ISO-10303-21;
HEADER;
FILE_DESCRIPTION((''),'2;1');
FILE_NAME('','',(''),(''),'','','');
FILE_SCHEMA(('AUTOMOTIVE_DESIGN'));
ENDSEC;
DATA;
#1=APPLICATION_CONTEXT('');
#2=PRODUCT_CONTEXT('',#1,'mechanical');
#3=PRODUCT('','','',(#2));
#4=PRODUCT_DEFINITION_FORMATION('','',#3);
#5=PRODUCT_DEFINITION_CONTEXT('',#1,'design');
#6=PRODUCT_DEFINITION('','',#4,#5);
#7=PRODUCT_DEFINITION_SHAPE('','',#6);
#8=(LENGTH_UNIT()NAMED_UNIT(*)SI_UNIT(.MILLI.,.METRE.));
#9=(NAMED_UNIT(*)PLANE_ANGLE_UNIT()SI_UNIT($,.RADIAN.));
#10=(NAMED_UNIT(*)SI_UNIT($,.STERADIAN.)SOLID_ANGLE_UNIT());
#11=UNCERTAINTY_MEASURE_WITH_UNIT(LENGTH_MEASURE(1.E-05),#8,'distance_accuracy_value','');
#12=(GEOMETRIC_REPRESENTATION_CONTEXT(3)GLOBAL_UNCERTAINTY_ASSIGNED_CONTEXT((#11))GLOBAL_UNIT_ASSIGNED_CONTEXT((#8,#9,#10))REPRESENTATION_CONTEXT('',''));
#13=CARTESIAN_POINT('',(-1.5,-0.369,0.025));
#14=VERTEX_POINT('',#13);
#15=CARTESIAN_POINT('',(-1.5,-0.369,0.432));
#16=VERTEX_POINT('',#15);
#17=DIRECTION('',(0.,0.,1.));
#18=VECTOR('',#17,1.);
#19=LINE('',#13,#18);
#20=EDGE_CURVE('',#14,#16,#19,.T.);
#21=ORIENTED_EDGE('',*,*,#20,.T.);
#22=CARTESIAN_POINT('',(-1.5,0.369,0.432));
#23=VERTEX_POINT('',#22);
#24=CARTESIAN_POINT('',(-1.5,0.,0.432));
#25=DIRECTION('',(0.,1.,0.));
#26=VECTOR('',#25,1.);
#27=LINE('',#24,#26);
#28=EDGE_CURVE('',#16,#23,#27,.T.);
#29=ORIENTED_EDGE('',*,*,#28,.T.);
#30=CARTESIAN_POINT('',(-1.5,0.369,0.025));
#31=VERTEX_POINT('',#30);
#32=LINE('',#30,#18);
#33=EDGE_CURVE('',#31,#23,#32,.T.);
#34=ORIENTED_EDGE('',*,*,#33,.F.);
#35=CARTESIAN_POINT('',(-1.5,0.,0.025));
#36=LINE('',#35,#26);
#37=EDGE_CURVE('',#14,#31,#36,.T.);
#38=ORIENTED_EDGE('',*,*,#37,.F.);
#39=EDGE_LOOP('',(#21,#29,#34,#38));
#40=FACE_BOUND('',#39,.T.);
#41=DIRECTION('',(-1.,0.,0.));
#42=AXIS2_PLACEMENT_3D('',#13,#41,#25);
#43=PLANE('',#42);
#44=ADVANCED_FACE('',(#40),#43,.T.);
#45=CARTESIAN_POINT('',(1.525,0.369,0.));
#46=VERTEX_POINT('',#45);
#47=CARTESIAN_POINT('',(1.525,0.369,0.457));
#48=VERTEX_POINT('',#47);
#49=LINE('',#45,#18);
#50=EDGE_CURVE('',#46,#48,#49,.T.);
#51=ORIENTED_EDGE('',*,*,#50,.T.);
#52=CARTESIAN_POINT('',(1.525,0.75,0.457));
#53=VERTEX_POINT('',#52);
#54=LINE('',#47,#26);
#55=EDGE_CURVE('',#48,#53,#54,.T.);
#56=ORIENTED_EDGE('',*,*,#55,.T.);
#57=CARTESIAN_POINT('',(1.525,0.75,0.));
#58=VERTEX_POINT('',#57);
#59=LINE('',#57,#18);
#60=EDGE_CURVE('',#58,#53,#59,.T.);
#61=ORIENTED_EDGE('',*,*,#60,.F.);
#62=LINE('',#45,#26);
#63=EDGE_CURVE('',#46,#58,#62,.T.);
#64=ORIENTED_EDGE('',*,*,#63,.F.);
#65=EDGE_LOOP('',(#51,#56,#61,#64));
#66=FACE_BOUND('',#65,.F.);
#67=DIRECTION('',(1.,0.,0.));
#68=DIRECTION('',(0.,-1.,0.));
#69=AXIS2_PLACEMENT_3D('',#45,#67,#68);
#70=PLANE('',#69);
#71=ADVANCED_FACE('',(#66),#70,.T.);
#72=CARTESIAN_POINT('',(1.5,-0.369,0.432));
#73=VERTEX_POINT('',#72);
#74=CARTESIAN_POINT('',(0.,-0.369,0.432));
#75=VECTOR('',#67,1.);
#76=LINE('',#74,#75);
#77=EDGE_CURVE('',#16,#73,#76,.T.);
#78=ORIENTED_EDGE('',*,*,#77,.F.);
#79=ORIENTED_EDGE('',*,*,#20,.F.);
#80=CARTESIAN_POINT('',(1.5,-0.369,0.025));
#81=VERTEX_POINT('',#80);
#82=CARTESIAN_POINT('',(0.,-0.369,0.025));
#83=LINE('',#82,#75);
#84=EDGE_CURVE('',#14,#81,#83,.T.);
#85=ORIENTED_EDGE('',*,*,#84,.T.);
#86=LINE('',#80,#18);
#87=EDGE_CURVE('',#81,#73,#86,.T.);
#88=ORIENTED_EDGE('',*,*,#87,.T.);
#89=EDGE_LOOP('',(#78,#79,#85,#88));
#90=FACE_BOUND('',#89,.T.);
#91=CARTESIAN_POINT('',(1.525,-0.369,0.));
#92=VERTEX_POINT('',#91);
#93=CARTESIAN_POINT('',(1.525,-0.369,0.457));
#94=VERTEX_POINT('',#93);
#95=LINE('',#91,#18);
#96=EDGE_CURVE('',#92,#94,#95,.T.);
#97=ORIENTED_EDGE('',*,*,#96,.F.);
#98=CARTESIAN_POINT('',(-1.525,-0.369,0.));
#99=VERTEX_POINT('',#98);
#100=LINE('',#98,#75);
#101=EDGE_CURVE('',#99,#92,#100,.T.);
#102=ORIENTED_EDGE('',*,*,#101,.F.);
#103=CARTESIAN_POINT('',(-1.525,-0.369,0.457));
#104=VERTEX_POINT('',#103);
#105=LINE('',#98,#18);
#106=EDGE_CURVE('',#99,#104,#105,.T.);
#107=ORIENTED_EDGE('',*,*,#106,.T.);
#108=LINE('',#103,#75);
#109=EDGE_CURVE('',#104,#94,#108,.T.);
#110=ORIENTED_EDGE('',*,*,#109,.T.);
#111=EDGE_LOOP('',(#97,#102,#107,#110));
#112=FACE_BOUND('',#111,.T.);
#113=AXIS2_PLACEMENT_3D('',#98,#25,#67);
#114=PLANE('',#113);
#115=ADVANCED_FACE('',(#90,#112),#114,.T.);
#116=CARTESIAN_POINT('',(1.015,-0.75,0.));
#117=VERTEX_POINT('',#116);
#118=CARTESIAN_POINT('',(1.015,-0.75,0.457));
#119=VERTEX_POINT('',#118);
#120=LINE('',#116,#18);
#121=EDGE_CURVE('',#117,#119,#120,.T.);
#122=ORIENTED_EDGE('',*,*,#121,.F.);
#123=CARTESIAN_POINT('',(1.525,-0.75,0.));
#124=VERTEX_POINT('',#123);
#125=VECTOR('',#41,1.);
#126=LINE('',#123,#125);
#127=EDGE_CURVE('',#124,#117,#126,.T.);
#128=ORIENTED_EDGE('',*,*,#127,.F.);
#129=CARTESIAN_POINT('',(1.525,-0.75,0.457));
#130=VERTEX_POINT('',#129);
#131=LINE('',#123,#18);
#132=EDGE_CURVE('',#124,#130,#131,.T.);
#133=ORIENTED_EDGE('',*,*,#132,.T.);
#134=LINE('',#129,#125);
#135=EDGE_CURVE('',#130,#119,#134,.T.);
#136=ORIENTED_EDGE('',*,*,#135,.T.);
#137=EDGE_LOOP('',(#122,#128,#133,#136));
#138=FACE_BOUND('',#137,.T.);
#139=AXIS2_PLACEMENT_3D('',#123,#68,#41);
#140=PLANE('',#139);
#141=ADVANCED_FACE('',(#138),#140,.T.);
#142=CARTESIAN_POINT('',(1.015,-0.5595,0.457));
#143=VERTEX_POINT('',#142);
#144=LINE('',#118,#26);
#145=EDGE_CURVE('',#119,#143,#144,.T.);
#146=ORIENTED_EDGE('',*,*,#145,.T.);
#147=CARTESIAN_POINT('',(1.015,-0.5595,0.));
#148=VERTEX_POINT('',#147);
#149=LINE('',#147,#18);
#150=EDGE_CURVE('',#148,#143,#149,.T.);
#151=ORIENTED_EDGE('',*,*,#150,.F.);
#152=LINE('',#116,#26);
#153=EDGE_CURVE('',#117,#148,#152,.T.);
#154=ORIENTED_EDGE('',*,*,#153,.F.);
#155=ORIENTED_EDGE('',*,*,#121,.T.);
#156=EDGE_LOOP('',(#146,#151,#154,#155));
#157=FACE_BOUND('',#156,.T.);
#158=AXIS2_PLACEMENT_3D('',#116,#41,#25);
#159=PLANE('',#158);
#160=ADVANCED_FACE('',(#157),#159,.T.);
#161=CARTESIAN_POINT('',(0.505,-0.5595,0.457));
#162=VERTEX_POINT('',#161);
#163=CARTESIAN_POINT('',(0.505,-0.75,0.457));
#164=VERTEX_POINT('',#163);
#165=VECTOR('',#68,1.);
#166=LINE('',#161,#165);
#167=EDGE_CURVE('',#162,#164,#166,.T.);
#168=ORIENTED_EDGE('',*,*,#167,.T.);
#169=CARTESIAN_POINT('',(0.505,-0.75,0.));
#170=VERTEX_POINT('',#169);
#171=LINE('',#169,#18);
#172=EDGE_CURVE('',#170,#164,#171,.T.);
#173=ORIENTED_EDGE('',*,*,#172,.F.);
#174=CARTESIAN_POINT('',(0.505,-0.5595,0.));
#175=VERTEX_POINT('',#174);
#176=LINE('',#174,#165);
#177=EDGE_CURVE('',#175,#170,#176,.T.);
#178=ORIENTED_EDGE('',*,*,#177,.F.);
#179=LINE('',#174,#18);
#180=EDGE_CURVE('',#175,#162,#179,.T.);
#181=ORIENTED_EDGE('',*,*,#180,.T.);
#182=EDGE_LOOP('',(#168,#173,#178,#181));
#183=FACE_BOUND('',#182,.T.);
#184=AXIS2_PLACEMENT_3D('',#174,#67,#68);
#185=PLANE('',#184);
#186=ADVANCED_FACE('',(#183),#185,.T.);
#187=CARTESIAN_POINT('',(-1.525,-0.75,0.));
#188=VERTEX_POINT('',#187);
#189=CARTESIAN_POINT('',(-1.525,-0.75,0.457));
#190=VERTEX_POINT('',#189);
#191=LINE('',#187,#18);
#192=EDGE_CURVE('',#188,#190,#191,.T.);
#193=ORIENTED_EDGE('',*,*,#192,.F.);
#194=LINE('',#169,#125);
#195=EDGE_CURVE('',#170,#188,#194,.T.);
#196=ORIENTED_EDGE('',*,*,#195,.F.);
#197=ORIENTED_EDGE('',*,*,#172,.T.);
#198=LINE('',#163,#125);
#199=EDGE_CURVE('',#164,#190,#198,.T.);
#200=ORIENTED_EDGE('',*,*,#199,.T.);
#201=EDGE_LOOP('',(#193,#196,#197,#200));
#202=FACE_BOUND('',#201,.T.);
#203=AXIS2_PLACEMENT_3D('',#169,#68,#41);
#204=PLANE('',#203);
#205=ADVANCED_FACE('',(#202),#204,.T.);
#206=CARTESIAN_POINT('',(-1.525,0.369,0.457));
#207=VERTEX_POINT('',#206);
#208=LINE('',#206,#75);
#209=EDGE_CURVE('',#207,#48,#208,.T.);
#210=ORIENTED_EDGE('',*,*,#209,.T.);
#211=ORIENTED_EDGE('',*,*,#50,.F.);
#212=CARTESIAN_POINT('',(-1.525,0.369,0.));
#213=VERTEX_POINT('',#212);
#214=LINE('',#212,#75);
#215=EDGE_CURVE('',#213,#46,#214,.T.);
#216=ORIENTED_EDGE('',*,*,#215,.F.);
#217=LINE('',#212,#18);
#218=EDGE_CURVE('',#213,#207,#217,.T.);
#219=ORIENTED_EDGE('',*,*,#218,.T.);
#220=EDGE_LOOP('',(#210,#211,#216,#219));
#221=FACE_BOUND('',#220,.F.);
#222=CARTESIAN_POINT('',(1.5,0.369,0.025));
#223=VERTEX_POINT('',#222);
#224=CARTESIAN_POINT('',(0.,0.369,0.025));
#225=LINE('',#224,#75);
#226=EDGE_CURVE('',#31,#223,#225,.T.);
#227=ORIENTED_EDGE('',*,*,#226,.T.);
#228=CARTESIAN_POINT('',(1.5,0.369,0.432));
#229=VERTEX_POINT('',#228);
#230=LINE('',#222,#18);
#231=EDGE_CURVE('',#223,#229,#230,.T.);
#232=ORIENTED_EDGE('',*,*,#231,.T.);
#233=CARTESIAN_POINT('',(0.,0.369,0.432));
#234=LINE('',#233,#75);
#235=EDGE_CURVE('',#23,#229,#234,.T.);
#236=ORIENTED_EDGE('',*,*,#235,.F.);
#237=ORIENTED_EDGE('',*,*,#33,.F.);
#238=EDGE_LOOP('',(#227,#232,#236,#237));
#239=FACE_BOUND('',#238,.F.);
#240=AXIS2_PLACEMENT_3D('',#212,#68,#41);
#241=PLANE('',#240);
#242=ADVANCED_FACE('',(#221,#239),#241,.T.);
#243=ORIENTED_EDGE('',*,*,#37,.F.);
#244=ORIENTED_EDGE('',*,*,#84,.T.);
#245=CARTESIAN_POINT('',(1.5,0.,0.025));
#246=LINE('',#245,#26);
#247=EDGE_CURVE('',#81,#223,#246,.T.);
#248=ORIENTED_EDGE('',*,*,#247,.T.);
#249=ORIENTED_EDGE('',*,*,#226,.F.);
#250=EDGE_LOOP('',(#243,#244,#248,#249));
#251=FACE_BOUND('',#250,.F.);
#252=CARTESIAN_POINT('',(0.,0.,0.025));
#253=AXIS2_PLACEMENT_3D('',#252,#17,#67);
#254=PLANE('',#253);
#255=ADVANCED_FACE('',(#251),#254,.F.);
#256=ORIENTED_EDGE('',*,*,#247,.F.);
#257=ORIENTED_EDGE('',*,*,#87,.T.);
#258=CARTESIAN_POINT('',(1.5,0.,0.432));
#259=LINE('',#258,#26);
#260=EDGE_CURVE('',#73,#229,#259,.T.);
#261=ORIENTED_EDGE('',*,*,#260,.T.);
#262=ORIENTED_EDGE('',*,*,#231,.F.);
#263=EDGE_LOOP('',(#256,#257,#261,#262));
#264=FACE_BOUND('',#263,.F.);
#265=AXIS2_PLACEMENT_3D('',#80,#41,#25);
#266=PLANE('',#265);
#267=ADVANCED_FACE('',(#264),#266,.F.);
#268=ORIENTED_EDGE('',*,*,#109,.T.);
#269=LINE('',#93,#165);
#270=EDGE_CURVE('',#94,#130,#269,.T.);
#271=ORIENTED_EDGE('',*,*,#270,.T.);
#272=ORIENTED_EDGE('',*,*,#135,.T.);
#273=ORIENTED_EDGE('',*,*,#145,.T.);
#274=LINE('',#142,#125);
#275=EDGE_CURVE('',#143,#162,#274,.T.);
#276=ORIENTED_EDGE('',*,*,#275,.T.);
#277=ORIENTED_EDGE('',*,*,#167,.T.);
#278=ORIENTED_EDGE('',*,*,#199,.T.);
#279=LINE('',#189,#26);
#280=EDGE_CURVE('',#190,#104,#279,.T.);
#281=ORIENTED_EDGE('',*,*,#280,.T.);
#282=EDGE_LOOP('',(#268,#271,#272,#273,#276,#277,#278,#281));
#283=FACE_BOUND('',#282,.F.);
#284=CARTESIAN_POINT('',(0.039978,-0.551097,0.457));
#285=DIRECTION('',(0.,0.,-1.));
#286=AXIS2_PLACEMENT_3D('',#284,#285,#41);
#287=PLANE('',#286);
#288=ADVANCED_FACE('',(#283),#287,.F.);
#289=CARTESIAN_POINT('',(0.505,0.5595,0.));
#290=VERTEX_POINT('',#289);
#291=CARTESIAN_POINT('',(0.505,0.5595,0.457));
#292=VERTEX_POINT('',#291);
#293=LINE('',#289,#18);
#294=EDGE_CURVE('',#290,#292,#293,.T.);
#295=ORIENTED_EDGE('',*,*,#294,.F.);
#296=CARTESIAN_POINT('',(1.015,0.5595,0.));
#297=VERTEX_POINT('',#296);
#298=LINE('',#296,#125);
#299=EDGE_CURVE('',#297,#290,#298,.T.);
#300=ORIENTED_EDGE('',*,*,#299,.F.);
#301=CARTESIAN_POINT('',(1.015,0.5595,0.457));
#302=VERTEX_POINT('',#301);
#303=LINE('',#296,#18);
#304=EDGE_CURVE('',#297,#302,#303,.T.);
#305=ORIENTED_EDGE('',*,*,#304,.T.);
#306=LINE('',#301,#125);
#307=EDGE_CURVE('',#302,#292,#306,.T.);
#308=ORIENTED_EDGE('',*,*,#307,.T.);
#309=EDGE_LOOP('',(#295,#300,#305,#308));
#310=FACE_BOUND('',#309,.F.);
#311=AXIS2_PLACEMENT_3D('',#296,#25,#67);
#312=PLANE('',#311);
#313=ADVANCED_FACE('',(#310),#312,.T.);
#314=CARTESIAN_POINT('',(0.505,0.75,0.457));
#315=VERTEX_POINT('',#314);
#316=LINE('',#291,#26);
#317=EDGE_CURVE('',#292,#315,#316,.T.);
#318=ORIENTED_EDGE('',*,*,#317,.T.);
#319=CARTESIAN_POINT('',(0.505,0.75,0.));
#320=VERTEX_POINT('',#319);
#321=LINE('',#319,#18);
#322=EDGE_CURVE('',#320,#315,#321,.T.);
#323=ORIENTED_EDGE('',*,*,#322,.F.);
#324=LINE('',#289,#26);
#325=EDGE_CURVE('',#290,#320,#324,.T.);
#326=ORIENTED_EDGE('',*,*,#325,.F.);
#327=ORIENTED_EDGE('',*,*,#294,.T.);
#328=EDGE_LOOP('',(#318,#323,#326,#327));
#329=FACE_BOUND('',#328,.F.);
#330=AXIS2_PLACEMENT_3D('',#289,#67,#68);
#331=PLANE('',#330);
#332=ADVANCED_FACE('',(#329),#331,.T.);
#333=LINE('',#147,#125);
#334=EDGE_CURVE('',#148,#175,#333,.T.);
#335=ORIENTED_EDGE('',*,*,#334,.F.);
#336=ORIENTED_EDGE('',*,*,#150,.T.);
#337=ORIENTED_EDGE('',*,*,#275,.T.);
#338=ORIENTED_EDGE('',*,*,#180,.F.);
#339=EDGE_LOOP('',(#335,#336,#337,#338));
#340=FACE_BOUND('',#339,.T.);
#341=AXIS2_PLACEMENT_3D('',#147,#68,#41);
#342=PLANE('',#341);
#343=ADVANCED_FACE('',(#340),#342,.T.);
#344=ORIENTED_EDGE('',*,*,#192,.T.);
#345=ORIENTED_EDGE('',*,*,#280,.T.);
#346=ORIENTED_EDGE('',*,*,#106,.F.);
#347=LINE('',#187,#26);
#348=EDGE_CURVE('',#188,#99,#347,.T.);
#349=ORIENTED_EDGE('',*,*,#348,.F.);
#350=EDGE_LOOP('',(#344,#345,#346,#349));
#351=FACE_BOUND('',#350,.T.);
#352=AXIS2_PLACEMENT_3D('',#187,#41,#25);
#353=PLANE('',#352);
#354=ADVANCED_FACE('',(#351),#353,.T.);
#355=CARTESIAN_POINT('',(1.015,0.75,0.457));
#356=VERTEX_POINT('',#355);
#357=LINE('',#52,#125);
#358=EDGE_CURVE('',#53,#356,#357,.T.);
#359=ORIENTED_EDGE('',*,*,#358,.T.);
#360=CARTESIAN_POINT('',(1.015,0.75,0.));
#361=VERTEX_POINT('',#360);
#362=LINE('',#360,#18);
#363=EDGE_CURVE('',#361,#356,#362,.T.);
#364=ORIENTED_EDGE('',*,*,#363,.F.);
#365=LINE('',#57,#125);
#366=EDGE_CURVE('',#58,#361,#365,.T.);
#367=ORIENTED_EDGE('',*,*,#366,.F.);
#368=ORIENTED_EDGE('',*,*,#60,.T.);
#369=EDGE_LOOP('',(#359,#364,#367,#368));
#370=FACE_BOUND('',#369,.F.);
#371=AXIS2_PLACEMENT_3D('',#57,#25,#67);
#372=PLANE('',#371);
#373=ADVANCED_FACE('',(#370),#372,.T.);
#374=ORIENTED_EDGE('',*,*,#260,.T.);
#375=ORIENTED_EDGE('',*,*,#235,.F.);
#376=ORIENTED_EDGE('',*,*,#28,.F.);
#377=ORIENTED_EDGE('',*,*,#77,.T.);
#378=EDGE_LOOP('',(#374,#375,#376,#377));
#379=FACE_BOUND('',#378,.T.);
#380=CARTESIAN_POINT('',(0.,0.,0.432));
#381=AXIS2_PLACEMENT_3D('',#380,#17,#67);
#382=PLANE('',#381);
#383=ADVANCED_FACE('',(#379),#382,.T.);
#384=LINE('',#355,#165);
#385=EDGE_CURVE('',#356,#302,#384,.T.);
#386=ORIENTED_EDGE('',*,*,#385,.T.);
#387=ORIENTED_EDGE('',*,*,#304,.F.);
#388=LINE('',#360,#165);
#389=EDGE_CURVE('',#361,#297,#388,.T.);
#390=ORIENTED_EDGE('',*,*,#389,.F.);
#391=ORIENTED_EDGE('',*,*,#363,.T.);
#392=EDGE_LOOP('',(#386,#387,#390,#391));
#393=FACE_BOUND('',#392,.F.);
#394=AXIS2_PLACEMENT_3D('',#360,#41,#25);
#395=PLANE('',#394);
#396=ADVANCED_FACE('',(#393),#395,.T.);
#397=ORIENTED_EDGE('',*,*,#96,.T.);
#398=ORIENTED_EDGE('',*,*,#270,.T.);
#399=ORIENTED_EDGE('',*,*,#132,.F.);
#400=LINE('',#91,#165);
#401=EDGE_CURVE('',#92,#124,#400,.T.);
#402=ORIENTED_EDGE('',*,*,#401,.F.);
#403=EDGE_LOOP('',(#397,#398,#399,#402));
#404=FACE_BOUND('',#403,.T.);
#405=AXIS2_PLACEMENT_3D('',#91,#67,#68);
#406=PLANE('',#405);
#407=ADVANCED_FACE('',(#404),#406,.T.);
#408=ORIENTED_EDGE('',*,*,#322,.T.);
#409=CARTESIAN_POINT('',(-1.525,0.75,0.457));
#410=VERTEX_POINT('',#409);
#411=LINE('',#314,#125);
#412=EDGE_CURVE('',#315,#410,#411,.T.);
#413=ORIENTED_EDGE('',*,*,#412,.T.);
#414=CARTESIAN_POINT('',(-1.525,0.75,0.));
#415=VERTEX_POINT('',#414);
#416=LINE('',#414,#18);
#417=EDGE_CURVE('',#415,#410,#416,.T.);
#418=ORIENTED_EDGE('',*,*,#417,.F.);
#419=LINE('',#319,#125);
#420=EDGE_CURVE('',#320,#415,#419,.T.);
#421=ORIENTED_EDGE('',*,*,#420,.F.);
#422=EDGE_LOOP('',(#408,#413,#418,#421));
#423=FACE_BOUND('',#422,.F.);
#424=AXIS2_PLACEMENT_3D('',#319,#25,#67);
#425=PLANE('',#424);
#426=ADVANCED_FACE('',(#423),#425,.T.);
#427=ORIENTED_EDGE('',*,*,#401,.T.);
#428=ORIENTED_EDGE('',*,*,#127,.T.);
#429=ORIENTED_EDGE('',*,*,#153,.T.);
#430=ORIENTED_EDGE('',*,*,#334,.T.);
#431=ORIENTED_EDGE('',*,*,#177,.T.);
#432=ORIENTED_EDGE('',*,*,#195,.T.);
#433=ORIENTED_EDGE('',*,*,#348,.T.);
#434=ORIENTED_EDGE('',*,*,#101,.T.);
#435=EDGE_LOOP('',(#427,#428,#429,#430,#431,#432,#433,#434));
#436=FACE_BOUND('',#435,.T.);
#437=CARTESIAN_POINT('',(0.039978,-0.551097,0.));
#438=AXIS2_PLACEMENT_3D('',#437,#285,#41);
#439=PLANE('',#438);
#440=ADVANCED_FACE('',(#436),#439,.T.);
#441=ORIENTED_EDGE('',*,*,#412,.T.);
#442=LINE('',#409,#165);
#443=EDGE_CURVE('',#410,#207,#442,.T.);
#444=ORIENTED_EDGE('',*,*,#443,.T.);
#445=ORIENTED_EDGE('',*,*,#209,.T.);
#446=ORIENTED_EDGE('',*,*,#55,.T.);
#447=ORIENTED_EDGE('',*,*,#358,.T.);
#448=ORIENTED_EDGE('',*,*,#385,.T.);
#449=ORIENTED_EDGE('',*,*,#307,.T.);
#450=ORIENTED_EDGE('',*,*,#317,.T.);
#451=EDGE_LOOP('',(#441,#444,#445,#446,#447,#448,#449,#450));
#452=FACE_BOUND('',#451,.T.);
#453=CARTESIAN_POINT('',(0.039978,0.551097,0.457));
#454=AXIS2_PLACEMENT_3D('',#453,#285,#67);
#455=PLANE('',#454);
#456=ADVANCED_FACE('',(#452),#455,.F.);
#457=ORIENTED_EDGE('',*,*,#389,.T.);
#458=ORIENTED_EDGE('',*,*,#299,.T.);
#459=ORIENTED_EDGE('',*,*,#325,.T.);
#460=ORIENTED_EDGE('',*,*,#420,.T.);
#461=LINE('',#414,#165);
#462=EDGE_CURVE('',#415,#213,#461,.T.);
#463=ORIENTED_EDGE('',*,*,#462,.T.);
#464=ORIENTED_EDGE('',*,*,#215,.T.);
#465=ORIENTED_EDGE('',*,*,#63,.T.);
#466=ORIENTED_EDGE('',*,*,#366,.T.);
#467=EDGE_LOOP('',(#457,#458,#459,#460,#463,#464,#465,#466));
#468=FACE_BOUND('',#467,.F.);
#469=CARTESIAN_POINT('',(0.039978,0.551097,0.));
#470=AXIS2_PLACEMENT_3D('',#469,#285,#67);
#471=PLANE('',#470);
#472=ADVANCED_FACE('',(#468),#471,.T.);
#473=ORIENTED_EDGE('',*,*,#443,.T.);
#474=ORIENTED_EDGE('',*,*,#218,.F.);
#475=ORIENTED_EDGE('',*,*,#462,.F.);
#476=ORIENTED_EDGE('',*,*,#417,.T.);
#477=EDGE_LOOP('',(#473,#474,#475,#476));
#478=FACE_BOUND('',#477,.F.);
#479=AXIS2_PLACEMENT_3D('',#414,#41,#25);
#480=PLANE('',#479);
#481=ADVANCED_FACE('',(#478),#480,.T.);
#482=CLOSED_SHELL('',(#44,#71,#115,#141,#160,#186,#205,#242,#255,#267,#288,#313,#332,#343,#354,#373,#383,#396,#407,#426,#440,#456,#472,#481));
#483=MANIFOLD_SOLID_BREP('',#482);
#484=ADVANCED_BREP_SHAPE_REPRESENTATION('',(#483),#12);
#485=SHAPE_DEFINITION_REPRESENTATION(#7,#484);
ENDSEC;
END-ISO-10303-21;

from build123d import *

# Parameters (mm, degrees)
PAD001_DEPTH = 0.457
SKETCH_W     = 3
SKETCH_H     = 0.738
PAD_DEPTH    = 0.407


with BuildPart() as pad001:
    # Sketch001 → Pad001 (new body)
    with BuildSketch(Plane.XY):
        Polygon((-1.525, -0.369), (1.525, -0.369), (1.525, -0.75), (1.015, -0.75), (1.015, -0.5595), (0.505, -0.5595), (0.505, -0.75), (-1.525, -0.75), align=None)
    extrude(amount=PAD001_DEPTH)


with BuildPart() as part_mirroring:
    # Part__Mirroring: instance of Pad001
    add(pad001.part.mirror(Plane(origin=(0, 0, 0), x_dir=(1, 0, 0), z_dir=(0, 1, 0))))


with BuildPart() as body:
    # Sketch → Pad (new body)
    with BuildSketch(Plane.XY.offset(0.025)):
        Rectangle(SKETCH_W, SKETCH_H)
    extrude(amount=PAD_DEPTH)


with BuildPart() as r_shunt_vishay_wskw0612:
    # Fusion base: copy of Pad001
    add(pad001.part)

    # Fusion: union Part__Mirroring, Body
    add(part_mirroring.part)
    add(body.part)


solid = r_shunt_vishay_wskw0612.part
